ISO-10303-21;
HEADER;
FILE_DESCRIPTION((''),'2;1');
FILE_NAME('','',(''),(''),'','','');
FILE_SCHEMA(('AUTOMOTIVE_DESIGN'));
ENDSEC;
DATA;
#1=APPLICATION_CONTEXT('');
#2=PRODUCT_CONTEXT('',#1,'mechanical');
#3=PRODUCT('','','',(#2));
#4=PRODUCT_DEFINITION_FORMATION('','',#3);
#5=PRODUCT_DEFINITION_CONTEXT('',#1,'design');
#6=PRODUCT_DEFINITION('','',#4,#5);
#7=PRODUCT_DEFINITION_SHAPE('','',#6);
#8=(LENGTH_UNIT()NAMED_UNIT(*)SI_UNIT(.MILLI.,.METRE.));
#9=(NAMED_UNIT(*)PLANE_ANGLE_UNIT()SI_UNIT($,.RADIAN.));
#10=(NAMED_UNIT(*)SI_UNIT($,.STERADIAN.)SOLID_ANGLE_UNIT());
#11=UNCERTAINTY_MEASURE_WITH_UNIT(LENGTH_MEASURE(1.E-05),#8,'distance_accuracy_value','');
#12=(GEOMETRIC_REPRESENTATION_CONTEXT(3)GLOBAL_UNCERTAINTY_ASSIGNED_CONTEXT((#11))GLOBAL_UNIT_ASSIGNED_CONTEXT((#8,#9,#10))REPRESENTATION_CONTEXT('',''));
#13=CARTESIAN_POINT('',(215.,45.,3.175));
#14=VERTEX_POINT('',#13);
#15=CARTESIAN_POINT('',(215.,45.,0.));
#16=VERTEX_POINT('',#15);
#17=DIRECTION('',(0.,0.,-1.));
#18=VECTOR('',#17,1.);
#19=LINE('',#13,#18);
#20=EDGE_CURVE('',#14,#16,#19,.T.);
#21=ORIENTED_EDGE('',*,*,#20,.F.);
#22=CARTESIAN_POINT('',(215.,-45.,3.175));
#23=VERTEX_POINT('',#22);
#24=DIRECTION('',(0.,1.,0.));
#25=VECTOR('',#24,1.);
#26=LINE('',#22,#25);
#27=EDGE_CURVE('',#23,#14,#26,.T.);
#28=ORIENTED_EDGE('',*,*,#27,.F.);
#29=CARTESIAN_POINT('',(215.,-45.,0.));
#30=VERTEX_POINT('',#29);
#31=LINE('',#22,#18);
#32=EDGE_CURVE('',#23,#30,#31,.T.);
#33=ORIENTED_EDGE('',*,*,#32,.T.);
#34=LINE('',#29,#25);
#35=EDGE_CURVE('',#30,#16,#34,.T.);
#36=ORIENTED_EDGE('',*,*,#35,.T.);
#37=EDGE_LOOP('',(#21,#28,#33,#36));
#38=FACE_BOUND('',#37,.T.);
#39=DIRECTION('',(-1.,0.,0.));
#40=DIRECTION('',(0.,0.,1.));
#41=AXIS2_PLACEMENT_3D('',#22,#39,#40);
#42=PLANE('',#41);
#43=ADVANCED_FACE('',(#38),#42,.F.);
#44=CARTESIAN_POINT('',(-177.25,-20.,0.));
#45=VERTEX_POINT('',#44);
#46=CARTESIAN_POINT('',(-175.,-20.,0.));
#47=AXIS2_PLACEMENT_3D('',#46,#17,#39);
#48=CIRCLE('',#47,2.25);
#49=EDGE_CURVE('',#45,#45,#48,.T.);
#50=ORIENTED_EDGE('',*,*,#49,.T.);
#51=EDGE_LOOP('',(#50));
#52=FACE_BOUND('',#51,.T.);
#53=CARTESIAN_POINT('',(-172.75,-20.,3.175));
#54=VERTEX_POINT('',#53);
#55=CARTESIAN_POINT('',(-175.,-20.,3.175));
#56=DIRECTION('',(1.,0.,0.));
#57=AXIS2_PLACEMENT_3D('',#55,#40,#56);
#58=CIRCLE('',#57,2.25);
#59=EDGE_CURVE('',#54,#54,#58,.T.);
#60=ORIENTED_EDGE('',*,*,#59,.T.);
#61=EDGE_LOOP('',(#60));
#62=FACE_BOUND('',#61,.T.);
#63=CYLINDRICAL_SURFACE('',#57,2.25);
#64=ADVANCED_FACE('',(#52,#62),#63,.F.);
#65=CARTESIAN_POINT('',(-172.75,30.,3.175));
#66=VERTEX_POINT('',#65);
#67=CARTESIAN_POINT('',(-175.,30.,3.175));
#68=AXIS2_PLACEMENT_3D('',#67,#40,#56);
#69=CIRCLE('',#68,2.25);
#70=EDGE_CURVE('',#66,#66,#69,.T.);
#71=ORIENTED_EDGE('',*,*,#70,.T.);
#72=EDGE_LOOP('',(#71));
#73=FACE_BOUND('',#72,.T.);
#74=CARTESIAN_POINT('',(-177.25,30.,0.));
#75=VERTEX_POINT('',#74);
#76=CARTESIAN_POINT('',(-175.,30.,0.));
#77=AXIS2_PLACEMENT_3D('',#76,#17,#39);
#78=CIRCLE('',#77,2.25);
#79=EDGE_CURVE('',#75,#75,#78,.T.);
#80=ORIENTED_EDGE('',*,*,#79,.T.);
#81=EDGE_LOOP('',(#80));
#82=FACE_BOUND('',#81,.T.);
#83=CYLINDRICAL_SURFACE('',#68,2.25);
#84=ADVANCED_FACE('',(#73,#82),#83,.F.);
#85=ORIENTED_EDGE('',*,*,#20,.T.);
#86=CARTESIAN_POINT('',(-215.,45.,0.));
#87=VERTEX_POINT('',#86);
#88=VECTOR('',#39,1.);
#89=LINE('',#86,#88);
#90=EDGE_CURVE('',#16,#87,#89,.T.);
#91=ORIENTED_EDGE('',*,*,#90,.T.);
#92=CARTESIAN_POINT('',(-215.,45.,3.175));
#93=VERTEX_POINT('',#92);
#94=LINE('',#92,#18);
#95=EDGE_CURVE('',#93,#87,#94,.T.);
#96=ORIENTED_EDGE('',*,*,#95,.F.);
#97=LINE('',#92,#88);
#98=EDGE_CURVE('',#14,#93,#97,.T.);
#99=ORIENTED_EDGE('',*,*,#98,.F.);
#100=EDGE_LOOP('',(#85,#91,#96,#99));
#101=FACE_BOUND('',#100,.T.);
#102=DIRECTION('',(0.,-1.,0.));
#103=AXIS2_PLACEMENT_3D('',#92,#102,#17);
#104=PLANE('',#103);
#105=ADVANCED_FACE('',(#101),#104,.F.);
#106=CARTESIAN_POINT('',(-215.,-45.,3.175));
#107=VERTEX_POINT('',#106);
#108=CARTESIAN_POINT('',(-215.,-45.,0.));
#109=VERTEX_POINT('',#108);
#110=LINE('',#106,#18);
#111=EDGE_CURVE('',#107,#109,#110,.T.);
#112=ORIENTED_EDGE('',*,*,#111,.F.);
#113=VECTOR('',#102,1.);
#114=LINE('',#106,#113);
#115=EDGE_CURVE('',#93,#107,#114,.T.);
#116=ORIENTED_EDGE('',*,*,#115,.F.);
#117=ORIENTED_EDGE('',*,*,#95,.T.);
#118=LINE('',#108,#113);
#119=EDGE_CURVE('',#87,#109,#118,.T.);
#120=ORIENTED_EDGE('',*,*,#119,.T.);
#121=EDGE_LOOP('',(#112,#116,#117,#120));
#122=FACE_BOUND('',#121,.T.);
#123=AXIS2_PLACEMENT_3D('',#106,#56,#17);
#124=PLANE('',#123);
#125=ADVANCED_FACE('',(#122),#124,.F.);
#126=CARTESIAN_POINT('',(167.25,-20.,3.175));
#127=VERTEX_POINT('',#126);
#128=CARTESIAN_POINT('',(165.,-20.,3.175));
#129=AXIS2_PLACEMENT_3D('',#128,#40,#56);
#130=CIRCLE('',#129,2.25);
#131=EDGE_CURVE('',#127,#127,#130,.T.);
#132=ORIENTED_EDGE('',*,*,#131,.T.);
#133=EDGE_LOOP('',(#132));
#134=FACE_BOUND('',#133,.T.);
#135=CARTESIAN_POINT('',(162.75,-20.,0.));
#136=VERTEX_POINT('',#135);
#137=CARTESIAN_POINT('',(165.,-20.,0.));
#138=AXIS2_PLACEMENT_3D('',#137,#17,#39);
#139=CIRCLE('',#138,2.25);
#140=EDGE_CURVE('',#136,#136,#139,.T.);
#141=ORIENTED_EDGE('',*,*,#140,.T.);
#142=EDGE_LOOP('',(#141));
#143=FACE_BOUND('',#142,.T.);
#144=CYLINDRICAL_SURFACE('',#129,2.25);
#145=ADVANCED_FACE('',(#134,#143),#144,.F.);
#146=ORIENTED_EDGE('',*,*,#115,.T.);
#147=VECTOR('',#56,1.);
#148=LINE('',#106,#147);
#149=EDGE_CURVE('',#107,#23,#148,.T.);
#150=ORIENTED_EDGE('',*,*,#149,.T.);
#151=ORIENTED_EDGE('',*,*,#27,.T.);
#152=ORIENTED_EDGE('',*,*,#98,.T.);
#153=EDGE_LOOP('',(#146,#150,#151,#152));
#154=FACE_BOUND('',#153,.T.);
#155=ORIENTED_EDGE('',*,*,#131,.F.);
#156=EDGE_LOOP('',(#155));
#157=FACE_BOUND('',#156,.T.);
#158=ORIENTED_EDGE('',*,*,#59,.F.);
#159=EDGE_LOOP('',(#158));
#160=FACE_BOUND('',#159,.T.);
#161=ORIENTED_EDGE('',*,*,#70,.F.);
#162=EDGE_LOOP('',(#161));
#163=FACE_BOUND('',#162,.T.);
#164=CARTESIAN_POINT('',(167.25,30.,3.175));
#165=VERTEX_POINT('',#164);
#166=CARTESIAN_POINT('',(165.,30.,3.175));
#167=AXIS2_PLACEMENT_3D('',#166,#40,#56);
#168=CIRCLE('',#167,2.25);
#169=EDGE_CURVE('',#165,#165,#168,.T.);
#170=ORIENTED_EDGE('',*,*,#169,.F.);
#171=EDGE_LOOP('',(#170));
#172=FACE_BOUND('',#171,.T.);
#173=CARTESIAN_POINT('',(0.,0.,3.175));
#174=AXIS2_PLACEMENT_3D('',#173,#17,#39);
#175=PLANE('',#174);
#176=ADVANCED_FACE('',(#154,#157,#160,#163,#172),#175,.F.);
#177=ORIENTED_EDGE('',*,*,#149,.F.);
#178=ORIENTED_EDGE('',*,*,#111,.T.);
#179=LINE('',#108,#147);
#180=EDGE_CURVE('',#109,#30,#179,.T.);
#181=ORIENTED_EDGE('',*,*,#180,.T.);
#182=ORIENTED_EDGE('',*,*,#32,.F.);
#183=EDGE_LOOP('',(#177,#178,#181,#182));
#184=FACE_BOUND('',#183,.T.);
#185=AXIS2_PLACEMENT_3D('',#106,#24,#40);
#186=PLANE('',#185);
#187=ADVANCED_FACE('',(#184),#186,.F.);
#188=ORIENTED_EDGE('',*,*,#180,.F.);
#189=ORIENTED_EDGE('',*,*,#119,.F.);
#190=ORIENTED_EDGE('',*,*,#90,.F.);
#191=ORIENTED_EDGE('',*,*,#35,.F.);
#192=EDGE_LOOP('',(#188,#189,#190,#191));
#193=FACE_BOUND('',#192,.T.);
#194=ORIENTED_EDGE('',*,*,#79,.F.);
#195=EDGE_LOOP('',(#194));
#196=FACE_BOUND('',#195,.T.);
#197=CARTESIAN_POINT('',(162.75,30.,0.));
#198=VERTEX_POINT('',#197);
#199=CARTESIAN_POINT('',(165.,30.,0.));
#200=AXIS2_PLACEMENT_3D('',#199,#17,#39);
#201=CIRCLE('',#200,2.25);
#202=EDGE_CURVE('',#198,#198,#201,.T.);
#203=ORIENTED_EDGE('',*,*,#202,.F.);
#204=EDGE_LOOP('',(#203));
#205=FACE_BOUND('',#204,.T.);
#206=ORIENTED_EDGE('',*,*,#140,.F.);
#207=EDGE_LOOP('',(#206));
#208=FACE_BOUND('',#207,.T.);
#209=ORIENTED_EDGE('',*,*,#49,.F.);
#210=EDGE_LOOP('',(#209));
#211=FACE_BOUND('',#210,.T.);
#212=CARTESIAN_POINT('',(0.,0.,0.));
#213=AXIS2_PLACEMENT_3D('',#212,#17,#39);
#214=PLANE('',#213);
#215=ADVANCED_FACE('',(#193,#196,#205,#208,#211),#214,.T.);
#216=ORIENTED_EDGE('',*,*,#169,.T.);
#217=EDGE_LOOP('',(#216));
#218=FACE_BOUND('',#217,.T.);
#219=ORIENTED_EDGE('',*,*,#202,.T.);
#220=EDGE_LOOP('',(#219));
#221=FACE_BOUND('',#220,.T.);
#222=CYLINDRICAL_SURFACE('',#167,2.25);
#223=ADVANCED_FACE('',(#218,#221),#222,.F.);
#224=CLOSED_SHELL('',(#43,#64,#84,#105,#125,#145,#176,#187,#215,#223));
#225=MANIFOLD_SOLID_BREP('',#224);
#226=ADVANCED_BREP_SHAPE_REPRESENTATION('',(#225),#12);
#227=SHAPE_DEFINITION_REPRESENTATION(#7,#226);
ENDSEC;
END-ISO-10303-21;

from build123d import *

# Parameters (mm, degrees)
SKETCH1_W                = 430
SKETCH1_H                = 90
BOSS_EXTRUDE1_DEPTH      = 3.175
M4_CLEARANCE_HOLE1_D     = 4.5
M4_CLEARANCE_HOLE1_DEPTH = 10.1
M4_CLEARANCE_HOLE1_TIP   = 1.351936393


with BuildPart() as part:
    # Sketch1 → Boss-Extrude1 (new body)
    with BuildSketch(Plane.XY):
        Rectangle(SKETCH1_W, SKETCH1_H)
    extrude(amount=BOSS_EXTRUDE1_DEPTH)

    # M4 Clearance Hole1
    with Locations(Plane.XY.offset(3.175)):
        with Locations((165, 30), (-175, -20), (-175, 30), (165, -20)):
            Hole(M4_CLEARANCE_HOLE1_D / 2, depth=M4_CLEARANCE_HOLE1_DEPTH)
            with Locations((0, 0, -(M4_CLEARANCE_HOLE1_DEPTH + M4_CLEARANCE_HOLE1_TIP / 2))):  # 118° drill point
                Cone(0, M4_CLEARANCE_HOLE1_D / 2, M4_CLEARANCE_HOLE1_TIP, mode=Mode.SUBTRACT)


solid = part.part
